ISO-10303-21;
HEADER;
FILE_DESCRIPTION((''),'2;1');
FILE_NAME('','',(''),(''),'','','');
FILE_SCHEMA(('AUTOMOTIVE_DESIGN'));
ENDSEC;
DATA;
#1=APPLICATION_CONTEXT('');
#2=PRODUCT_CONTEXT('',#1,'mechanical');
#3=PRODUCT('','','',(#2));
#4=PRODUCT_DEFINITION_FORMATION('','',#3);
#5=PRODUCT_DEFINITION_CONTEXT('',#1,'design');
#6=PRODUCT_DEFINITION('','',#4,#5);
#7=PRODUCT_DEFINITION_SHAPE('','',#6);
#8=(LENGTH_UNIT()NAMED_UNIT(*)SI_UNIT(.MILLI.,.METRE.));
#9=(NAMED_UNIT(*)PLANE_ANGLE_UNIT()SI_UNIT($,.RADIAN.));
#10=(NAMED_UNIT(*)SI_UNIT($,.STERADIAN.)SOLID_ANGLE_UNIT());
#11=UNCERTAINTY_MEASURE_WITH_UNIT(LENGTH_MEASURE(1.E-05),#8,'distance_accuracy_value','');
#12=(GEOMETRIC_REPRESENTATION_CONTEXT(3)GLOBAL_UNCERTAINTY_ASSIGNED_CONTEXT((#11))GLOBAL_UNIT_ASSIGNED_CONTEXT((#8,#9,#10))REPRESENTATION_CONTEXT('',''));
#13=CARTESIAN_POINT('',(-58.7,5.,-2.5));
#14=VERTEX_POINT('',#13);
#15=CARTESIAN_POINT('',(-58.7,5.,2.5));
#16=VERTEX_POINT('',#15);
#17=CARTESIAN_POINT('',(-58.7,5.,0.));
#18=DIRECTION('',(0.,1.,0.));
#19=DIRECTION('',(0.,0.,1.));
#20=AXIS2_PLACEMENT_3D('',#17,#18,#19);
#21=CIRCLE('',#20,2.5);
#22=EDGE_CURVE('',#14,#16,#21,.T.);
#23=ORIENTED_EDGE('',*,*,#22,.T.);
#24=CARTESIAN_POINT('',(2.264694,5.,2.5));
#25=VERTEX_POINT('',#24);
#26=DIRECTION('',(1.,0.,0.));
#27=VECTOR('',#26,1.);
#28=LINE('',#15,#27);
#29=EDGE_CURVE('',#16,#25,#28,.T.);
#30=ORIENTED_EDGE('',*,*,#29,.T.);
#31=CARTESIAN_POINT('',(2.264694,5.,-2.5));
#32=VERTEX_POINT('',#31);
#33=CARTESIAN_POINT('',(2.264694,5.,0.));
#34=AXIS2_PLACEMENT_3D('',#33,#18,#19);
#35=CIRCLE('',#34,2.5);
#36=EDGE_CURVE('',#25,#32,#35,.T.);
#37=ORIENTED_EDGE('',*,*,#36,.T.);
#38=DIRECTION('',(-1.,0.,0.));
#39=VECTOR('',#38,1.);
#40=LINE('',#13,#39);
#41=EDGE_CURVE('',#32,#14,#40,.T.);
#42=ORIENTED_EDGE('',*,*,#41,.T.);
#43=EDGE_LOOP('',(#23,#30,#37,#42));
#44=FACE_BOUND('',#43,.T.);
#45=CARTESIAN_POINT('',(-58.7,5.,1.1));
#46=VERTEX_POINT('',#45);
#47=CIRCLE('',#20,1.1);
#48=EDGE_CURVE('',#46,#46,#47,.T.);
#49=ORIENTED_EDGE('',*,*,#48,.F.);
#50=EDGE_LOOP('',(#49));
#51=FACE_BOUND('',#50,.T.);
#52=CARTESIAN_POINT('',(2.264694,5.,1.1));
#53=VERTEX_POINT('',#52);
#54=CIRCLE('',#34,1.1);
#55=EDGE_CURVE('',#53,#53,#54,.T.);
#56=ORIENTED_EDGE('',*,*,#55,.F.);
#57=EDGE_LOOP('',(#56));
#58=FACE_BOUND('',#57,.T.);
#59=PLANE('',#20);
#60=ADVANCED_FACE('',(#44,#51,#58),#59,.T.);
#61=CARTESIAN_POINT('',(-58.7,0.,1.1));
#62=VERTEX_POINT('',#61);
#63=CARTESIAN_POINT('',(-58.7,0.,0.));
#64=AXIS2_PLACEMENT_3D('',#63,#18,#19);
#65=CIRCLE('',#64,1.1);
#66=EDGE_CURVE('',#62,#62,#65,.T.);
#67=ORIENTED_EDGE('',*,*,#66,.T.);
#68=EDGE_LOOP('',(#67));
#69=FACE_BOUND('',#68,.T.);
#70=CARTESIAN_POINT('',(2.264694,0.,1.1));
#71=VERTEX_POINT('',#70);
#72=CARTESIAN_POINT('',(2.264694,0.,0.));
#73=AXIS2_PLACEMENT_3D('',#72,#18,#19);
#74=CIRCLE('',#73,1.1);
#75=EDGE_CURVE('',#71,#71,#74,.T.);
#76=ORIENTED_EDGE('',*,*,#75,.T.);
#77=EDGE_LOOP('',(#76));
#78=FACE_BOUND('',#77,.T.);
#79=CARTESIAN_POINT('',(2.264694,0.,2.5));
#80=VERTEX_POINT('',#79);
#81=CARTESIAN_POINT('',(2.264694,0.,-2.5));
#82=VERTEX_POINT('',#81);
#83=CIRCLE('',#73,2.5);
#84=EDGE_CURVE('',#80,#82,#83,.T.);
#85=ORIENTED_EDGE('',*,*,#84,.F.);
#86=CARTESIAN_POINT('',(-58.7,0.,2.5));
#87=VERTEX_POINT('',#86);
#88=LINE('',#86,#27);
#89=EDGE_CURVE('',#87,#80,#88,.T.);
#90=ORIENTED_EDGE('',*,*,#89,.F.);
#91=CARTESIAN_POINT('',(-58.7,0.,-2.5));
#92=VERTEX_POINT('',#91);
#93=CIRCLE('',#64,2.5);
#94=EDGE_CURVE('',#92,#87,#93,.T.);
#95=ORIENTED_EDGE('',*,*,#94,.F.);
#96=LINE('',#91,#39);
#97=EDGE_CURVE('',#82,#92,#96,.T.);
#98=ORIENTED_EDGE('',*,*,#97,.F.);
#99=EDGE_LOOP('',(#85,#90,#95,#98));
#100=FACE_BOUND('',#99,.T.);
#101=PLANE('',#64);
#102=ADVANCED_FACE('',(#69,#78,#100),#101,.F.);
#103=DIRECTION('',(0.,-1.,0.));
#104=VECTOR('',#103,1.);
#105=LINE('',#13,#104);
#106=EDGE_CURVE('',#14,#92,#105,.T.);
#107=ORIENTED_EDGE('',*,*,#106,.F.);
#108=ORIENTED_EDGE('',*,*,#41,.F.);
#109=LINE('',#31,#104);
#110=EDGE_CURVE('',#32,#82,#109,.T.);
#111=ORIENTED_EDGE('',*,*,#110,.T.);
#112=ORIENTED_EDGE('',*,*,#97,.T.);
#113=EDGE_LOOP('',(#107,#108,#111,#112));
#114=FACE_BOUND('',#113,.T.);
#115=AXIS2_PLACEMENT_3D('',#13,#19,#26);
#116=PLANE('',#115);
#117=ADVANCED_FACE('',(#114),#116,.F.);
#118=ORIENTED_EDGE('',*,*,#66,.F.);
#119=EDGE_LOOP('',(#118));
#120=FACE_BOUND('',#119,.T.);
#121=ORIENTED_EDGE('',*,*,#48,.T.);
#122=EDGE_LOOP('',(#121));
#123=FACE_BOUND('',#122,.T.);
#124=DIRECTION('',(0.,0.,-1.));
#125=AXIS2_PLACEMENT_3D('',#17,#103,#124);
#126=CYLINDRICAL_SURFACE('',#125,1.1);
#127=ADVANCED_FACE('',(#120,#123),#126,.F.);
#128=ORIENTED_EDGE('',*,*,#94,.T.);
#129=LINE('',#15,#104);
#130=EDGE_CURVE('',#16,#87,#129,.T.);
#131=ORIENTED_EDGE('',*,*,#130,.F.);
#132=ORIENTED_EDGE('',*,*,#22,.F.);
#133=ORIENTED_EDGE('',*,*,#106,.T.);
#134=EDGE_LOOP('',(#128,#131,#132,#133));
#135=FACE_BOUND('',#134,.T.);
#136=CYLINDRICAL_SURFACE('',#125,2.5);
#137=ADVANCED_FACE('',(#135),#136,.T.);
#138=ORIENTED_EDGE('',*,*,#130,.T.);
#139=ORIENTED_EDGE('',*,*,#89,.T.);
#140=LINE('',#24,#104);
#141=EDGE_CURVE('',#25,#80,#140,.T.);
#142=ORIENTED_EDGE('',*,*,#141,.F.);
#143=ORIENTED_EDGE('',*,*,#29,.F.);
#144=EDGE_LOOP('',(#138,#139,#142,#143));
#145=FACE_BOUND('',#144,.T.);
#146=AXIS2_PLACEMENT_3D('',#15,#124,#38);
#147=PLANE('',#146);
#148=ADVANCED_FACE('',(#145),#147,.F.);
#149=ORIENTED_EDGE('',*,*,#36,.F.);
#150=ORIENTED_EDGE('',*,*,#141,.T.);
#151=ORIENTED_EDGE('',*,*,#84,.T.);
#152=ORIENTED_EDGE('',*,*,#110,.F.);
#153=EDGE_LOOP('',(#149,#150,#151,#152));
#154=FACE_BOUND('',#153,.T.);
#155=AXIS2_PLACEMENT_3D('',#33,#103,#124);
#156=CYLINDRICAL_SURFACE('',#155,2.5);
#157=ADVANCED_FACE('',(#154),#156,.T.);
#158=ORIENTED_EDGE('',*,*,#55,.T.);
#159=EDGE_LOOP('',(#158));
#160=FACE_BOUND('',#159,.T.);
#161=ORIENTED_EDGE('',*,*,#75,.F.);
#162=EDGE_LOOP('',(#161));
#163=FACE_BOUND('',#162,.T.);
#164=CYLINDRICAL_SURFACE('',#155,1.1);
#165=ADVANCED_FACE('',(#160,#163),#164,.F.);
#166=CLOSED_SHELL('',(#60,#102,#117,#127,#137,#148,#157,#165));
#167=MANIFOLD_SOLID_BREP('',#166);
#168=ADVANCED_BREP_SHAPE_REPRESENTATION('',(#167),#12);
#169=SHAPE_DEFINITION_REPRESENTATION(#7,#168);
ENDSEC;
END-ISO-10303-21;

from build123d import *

# Parameters (mm, degrees)
SKETCH1_R           = 1.1
BOSS_EXTRUDE1_DEPTH = 5


with BuildPart() as part:
    # Sketch1 → Boss-Extrude1 (new body)
    with BuildSketch(Plane(origin=(0, 0, 0), x_dir=(1, 0, 0), z_dir=(0, 1, 0))):
        with BuildLine():
            Line((-58.7, 2.5), (2.26469372, 2.5))
            ThreePointArc((2.26469372, 2.5), (4.76469372, 0), (2.26469372, -2.5))
            Line((2.26469372, -2.5), (-58.7, -2.5))
            ThreePointArc((-58.7, -2.5), (-61.2, 0), (-58.7, 2.5))
        make_face()
        with Locations((2.26469372, 0)):
            Circle(SKETCH1_R, mode=Mode.SUBTRACT)
        with Locations((-58.7, 0)):
            Circle(SKETCH1_R, mode=Mode.SUBTRACT)
    extrude(amount=BOSS_EXTRUDE1_DEPTH)


solid = part.part
